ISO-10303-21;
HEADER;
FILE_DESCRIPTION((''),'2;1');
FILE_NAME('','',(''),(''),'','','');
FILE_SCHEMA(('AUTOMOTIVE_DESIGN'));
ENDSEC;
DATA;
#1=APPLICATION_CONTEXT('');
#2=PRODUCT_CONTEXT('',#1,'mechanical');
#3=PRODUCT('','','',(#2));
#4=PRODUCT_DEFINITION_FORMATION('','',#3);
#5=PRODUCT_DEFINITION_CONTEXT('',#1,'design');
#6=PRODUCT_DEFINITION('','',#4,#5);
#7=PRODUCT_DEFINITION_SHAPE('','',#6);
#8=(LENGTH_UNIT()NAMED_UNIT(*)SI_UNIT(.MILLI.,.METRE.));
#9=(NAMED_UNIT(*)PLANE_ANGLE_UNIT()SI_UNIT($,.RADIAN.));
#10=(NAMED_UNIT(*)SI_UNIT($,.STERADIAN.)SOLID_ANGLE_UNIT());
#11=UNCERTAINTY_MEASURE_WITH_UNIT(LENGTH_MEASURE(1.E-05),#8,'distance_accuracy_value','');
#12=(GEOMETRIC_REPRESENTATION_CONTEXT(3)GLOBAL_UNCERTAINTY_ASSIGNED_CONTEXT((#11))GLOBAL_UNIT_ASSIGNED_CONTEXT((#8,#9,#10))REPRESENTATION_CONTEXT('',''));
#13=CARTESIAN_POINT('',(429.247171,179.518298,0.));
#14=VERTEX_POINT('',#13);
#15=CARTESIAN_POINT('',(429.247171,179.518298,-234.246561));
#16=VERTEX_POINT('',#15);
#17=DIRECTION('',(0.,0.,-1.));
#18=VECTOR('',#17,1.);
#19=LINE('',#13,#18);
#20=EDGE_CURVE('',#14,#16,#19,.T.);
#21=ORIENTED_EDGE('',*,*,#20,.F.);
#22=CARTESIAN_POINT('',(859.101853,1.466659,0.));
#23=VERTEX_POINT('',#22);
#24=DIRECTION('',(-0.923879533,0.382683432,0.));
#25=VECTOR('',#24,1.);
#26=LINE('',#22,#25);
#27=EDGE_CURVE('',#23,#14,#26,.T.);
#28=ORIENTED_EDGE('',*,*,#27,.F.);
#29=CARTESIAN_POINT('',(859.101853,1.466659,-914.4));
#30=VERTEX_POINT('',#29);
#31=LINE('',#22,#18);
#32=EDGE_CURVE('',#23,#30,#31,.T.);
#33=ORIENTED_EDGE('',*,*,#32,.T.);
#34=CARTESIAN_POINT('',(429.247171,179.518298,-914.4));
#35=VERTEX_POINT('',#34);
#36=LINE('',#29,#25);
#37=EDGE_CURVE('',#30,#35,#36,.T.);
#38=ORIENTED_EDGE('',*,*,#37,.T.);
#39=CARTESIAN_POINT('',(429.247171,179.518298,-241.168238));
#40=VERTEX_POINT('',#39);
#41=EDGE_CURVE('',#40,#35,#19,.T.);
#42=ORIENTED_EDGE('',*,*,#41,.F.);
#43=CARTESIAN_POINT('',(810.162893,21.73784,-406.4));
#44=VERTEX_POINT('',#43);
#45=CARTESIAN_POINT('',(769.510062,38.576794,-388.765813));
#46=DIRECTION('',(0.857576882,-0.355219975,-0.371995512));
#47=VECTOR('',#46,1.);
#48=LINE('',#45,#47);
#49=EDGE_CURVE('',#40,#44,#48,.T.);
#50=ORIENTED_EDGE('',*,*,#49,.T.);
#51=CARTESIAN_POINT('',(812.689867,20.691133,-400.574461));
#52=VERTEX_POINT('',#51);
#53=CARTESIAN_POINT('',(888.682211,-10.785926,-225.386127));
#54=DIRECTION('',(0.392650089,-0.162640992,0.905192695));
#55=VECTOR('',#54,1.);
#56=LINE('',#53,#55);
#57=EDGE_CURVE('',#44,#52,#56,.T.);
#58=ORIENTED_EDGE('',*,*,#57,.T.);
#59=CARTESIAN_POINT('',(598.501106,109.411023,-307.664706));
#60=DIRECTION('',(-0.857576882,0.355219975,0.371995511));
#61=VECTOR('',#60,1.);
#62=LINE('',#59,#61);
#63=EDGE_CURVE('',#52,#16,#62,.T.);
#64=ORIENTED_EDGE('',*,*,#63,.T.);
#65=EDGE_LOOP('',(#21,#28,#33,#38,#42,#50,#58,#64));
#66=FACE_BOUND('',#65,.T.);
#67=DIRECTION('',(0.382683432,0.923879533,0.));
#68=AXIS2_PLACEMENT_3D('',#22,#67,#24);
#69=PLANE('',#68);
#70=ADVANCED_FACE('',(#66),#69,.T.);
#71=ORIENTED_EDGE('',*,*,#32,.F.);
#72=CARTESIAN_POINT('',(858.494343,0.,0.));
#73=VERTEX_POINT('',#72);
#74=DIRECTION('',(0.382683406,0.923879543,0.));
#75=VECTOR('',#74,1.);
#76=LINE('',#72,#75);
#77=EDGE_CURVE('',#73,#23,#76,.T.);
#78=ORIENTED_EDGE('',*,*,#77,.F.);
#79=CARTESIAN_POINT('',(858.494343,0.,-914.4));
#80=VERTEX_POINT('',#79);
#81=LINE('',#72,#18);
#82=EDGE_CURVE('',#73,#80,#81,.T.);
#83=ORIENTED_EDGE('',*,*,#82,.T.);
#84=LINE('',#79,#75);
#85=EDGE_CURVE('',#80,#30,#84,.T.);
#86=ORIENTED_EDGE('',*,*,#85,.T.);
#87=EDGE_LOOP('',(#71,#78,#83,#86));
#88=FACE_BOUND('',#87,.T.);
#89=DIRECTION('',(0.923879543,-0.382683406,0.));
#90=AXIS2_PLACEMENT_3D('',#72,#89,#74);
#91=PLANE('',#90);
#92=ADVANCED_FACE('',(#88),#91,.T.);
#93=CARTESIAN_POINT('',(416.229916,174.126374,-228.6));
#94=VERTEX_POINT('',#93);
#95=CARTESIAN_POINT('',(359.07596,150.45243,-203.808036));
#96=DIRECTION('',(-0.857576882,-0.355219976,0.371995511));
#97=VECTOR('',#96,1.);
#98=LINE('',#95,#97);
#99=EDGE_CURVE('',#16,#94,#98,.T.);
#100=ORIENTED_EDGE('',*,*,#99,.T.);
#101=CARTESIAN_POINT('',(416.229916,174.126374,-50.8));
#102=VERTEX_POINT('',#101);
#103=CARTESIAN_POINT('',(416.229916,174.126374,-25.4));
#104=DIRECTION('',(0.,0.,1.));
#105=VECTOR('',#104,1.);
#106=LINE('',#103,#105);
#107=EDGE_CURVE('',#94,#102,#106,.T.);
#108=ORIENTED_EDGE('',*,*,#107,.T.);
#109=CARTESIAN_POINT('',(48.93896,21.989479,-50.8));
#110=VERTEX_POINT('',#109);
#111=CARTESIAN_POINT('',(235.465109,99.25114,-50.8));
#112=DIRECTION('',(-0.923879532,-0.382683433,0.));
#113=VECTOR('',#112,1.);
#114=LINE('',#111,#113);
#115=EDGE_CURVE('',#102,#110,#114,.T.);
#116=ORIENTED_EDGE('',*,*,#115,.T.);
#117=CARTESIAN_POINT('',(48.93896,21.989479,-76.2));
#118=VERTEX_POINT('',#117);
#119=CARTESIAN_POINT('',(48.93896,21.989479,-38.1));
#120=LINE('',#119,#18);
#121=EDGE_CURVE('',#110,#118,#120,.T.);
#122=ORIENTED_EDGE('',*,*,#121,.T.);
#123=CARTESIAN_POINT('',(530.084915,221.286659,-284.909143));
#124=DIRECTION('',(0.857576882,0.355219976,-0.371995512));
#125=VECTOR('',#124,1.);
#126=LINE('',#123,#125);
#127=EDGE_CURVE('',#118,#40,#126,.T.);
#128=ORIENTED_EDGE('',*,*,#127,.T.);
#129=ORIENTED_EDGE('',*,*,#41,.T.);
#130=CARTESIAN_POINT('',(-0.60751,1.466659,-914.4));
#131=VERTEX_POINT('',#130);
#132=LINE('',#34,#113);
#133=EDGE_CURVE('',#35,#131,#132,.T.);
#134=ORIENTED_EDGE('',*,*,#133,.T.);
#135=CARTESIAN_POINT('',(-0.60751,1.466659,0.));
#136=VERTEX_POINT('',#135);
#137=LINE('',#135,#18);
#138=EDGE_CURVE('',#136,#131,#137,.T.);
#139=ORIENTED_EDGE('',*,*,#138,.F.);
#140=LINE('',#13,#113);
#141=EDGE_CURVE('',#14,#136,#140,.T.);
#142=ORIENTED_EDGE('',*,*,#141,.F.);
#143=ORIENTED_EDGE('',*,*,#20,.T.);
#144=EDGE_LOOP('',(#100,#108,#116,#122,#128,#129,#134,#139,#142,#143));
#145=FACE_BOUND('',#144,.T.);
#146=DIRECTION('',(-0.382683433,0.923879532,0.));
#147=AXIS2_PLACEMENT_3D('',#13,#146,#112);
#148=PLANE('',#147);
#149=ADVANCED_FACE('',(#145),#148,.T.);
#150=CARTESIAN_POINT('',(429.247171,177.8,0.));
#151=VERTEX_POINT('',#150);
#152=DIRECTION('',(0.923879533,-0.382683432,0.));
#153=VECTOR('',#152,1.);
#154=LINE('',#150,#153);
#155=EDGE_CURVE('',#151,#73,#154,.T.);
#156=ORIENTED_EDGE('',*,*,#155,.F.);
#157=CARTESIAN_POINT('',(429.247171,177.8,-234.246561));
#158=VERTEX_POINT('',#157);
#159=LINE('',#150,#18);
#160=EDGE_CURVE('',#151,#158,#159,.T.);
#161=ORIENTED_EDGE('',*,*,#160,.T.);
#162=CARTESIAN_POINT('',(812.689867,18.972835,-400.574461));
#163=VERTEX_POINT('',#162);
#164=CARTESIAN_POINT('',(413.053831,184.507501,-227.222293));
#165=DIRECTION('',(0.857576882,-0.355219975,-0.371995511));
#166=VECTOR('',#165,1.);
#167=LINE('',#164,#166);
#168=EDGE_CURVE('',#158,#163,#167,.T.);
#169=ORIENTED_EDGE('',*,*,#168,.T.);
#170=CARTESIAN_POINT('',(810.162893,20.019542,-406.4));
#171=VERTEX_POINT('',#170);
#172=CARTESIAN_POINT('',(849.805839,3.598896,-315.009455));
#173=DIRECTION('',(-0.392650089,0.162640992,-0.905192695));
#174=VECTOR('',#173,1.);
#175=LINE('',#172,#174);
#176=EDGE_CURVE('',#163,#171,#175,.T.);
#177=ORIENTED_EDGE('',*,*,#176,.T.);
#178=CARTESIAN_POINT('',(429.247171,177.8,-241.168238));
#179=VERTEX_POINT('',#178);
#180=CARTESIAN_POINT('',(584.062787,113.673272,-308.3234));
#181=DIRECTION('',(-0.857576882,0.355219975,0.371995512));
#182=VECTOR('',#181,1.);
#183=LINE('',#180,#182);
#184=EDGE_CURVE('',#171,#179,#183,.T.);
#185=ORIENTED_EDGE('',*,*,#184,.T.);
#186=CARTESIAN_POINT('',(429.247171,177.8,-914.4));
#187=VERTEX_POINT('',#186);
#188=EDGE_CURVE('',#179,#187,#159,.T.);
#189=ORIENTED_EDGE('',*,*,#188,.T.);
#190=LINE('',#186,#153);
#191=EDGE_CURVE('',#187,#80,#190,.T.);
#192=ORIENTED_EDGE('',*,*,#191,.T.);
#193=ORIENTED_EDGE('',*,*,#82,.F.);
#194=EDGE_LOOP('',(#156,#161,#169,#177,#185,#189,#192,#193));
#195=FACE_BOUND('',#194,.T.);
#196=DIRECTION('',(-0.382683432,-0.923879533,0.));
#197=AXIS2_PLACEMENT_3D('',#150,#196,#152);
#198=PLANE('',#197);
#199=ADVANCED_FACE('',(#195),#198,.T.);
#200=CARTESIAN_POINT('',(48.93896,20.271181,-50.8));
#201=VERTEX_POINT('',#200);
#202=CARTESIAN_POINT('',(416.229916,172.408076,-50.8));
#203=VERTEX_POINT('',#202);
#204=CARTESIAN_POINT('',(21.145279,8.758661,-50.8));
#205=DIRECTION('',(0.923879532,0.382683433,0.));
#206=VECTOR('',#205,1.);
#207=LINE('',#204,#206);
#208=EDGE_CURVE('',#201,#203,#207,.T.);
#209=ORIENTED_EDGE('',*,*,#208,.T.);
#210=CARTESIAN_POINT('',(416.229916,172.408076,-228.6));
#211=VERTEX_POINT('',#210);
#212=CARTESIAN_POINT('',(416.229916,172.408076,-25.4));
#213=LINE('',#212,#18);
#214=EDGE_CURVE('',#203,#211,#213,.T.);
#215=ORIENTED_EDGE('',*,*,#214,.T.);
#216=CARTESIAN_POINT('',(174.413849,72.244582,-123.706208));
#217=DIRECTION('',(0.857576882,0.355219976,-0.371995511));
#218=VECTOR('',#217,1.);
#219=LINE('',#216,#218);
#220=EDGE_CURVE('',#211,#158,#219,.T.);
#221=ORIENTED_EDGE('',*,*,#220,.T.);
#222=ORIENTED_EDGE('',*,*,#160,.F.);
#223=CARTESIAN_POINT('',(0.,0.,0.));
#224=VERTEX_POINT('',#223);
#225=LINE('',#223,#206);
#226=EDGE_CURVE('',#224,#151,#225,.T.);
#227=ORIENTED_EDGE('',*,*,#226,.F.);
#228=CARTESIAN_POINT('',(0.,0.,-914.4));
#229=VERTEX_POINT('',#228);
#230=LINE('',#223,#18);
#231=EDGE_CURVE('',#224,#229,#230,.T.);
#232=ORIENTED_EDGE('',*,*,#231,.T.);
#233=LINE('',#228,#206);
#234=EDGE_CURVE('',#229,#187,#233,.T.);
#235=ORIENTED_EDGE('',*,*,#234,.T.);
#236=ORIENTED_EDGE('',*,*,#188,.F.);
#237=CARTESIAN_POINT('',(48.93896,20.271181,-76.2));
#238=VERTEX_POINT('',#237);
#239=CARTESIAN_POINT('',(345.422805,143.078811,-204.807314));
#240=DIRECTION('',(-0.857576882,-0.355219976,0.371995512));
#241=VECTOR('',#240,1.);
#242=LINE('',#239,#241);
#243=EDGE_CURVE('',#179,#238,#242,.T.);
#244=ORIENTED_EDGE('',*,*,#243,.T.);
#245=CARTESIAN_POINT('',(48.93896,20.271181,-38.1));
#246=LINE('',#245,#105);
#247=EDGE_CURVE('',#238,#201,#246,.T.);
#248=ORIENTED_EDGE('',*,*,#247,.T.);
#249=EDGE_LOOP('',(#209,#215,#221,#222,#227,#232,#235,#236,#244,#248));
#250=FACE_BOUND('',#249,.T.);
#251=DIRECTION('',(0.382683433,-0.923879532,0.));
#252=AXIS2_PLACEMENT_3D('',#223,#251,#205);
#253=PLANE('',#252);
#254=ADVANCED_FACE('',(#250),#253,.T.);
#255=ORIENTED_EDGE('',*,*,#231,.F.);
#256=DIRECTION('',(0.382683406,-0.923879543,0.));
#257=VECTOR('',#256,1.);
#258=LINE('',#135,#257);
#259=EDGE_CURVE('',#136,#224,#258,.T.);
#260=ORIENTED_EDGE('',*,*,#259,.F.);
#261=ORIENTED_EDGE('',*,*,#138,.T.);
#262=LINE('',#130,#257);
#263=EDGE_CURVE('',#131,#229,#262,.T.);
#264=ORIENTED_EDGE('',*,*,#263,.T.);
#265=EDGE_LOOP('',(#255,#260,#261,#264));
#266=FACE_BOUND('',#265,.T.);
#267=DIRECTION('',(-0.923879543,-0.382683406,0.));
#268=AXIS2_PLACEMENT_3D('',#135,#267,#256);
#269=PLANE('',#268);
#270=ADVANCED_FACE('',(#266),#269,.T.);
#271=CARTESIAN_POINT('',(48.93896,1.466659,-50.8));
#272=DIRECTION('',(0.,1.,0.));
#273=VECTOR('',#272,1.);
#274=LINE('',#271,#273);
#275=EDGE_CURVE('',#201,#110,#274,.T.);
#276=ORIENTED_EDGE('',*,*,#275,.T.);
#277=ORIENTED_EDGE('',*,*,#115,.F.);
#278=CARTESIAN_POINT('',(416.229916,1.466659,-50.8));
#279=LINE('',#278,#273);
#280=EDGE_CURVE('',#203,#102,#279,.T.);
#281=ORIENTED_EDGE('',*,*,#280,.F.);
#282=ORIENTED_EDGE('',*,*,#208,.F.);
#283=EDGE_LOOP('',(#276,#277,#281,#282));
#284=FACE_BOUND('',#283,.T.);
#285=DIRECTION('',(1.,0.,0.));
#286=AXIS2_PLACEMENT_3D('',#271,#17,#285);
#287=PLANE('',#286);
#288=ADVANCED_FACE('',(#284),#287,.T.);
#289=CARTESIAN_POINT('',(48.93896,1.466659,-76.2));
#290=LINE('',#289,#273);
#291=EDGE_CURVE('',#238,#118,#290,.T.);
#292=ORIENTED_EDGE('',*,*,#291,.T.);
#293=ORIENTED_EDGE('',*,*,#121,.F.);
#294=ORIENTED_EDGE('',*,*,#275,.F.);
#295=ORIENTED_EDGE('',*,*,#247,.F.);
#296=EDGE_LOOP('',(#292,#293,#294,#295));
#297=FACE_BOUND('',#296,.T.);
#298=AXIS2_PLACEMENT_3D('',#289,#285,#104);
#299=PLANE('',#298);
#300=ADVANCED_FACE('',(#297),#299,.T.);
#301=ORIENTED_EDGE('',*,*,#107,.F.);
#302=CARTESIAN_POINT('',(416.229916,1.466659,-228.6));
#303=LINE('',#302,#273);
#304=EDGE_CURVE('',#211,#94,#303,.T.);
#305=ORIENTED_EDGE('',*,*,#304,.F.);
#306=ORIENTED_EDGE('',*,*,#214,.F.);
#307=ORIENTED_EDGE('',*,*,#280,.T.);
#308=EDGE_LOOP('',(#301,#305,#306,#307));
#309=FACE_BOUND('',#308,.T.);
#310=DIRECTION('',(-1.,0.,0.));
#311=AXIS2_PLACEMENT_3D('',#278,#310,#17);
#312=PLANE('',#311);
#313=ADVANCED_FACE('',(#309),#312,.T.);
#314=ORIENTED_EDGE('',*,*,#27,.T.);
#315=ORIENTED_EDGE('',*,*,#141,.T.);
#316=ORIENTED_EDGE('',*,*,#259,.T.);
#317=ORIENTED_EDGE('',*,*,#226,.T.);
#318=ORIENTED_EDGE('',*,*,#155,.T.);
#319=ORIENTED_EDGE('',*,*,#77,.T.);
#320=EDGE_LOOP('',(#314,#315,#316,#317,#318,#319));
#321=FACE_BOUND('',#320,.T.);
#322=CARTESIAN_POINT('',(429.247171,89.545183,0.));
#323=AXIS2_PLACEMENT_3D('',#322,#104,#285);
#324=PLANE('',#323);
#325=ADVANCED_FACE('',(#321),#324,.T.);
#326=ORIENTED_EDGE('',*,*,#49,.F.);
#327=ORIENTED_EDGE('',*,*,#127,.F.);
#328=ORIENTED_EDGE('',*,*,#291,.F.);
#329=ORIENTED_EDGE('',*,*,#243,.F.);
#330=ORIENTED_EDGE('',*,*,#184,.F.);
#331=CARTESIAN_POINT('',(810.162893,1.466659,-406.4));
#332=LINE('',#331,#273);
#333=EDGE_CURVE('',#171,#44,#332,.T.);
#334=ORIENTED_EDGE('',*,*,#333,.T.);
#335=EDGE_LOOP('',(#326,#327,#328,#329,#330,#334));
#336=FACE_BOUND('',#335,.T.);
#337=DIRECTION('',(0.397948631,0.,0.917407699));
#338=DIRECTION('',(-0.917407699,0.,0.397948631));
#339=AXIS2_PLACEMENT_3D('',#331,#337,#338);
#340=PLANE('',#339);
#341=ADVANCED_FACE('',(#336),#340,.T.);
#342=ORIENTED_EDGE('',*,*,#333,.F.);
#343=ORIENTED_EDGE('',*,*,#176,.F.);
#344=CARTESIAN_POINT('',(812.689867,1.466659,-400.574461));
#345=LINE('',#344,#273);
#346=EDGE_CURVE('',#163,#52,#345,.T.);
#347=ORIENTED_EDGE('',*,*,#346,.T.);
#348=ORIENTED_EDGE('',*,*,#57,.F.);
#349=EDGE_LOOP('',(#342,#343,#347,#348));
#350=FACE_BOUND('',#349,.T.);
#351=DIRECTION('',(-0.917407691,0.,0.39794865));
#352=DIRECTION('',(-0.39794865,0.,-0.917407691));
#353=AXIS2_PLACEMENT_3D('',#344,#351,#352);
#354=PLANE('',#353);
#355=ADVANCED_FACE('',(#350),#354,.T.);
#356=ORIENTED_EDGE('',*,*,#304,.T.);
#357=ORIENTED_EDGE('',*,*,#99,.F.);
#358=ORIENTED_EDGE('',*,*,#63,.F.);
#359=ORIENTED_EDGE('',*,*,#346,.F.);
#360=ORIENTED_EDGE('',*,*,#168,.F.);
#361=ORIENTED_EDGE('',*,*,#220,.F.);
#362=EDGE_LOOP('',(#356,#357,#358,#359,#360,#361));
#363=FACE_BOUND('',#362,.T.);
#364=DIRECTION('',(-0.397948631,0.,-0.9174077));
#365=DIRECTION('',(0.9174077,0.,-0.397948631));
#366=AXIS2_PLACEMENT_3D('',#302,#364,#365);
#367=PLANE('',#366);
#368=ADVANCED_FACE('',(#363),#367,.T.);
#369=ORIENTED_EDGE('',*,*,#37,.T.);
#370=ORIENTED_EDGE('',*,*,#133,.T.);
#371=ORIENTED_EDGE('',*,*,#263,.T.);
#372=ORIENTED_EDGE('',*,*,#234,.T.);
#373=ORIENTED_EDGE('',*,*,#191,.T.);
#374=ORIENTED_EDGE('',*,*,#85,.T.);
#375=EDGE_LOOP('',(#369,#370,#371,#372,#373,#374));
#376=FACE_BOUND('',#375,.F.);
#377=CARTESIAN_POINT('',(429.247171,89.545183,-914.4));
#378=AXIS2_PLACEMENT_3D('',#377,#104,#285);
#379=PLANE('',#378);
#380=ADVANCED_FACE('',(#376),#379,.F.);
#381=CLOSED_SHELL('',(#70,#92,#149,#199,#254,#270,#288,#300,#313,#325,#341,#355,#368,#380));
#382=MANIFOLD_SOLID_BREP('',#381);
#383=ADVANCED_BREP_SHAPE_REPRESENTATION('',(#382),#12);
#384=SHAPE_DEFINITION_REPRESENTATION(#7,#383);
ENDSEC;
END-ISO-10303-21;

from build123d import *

# Parameters (mm, degrees)
F1_DEPTH = 914.4
F4_DEPTH = 178.052639


with BuildPart() as f1:
    # F0 (on Top) → F1 (new body)
    with BuildSketch(Plane.XY):
        Polygon((-0.60751, 1.466659), (0, 0), (429.247171, 177.8), (858.494343, 0), (859.101853, 1.466659), (429.247171, 179.518298), align=None)
    extrude(amount=-F1_DEPTH)

    # F3 (on face) → F4 (cut, through all)
    with BuildSketch(Plane(origin=(0, 1.466659, 0), x_dir=(-1, 0, 0), z_dir=(0, 1, 0))):
        Polygon((-810.162893, -406.4), (-48.93896, -76.2), (-48.93896, -50.8), (-416.229916, -50.8), (-416.229916, -228.6), (-812.689867, -400.574461), align=None)
    extrude(amount=F4_DEPTH, mode=Mode.SUBTRACT)


solid = f1.part
